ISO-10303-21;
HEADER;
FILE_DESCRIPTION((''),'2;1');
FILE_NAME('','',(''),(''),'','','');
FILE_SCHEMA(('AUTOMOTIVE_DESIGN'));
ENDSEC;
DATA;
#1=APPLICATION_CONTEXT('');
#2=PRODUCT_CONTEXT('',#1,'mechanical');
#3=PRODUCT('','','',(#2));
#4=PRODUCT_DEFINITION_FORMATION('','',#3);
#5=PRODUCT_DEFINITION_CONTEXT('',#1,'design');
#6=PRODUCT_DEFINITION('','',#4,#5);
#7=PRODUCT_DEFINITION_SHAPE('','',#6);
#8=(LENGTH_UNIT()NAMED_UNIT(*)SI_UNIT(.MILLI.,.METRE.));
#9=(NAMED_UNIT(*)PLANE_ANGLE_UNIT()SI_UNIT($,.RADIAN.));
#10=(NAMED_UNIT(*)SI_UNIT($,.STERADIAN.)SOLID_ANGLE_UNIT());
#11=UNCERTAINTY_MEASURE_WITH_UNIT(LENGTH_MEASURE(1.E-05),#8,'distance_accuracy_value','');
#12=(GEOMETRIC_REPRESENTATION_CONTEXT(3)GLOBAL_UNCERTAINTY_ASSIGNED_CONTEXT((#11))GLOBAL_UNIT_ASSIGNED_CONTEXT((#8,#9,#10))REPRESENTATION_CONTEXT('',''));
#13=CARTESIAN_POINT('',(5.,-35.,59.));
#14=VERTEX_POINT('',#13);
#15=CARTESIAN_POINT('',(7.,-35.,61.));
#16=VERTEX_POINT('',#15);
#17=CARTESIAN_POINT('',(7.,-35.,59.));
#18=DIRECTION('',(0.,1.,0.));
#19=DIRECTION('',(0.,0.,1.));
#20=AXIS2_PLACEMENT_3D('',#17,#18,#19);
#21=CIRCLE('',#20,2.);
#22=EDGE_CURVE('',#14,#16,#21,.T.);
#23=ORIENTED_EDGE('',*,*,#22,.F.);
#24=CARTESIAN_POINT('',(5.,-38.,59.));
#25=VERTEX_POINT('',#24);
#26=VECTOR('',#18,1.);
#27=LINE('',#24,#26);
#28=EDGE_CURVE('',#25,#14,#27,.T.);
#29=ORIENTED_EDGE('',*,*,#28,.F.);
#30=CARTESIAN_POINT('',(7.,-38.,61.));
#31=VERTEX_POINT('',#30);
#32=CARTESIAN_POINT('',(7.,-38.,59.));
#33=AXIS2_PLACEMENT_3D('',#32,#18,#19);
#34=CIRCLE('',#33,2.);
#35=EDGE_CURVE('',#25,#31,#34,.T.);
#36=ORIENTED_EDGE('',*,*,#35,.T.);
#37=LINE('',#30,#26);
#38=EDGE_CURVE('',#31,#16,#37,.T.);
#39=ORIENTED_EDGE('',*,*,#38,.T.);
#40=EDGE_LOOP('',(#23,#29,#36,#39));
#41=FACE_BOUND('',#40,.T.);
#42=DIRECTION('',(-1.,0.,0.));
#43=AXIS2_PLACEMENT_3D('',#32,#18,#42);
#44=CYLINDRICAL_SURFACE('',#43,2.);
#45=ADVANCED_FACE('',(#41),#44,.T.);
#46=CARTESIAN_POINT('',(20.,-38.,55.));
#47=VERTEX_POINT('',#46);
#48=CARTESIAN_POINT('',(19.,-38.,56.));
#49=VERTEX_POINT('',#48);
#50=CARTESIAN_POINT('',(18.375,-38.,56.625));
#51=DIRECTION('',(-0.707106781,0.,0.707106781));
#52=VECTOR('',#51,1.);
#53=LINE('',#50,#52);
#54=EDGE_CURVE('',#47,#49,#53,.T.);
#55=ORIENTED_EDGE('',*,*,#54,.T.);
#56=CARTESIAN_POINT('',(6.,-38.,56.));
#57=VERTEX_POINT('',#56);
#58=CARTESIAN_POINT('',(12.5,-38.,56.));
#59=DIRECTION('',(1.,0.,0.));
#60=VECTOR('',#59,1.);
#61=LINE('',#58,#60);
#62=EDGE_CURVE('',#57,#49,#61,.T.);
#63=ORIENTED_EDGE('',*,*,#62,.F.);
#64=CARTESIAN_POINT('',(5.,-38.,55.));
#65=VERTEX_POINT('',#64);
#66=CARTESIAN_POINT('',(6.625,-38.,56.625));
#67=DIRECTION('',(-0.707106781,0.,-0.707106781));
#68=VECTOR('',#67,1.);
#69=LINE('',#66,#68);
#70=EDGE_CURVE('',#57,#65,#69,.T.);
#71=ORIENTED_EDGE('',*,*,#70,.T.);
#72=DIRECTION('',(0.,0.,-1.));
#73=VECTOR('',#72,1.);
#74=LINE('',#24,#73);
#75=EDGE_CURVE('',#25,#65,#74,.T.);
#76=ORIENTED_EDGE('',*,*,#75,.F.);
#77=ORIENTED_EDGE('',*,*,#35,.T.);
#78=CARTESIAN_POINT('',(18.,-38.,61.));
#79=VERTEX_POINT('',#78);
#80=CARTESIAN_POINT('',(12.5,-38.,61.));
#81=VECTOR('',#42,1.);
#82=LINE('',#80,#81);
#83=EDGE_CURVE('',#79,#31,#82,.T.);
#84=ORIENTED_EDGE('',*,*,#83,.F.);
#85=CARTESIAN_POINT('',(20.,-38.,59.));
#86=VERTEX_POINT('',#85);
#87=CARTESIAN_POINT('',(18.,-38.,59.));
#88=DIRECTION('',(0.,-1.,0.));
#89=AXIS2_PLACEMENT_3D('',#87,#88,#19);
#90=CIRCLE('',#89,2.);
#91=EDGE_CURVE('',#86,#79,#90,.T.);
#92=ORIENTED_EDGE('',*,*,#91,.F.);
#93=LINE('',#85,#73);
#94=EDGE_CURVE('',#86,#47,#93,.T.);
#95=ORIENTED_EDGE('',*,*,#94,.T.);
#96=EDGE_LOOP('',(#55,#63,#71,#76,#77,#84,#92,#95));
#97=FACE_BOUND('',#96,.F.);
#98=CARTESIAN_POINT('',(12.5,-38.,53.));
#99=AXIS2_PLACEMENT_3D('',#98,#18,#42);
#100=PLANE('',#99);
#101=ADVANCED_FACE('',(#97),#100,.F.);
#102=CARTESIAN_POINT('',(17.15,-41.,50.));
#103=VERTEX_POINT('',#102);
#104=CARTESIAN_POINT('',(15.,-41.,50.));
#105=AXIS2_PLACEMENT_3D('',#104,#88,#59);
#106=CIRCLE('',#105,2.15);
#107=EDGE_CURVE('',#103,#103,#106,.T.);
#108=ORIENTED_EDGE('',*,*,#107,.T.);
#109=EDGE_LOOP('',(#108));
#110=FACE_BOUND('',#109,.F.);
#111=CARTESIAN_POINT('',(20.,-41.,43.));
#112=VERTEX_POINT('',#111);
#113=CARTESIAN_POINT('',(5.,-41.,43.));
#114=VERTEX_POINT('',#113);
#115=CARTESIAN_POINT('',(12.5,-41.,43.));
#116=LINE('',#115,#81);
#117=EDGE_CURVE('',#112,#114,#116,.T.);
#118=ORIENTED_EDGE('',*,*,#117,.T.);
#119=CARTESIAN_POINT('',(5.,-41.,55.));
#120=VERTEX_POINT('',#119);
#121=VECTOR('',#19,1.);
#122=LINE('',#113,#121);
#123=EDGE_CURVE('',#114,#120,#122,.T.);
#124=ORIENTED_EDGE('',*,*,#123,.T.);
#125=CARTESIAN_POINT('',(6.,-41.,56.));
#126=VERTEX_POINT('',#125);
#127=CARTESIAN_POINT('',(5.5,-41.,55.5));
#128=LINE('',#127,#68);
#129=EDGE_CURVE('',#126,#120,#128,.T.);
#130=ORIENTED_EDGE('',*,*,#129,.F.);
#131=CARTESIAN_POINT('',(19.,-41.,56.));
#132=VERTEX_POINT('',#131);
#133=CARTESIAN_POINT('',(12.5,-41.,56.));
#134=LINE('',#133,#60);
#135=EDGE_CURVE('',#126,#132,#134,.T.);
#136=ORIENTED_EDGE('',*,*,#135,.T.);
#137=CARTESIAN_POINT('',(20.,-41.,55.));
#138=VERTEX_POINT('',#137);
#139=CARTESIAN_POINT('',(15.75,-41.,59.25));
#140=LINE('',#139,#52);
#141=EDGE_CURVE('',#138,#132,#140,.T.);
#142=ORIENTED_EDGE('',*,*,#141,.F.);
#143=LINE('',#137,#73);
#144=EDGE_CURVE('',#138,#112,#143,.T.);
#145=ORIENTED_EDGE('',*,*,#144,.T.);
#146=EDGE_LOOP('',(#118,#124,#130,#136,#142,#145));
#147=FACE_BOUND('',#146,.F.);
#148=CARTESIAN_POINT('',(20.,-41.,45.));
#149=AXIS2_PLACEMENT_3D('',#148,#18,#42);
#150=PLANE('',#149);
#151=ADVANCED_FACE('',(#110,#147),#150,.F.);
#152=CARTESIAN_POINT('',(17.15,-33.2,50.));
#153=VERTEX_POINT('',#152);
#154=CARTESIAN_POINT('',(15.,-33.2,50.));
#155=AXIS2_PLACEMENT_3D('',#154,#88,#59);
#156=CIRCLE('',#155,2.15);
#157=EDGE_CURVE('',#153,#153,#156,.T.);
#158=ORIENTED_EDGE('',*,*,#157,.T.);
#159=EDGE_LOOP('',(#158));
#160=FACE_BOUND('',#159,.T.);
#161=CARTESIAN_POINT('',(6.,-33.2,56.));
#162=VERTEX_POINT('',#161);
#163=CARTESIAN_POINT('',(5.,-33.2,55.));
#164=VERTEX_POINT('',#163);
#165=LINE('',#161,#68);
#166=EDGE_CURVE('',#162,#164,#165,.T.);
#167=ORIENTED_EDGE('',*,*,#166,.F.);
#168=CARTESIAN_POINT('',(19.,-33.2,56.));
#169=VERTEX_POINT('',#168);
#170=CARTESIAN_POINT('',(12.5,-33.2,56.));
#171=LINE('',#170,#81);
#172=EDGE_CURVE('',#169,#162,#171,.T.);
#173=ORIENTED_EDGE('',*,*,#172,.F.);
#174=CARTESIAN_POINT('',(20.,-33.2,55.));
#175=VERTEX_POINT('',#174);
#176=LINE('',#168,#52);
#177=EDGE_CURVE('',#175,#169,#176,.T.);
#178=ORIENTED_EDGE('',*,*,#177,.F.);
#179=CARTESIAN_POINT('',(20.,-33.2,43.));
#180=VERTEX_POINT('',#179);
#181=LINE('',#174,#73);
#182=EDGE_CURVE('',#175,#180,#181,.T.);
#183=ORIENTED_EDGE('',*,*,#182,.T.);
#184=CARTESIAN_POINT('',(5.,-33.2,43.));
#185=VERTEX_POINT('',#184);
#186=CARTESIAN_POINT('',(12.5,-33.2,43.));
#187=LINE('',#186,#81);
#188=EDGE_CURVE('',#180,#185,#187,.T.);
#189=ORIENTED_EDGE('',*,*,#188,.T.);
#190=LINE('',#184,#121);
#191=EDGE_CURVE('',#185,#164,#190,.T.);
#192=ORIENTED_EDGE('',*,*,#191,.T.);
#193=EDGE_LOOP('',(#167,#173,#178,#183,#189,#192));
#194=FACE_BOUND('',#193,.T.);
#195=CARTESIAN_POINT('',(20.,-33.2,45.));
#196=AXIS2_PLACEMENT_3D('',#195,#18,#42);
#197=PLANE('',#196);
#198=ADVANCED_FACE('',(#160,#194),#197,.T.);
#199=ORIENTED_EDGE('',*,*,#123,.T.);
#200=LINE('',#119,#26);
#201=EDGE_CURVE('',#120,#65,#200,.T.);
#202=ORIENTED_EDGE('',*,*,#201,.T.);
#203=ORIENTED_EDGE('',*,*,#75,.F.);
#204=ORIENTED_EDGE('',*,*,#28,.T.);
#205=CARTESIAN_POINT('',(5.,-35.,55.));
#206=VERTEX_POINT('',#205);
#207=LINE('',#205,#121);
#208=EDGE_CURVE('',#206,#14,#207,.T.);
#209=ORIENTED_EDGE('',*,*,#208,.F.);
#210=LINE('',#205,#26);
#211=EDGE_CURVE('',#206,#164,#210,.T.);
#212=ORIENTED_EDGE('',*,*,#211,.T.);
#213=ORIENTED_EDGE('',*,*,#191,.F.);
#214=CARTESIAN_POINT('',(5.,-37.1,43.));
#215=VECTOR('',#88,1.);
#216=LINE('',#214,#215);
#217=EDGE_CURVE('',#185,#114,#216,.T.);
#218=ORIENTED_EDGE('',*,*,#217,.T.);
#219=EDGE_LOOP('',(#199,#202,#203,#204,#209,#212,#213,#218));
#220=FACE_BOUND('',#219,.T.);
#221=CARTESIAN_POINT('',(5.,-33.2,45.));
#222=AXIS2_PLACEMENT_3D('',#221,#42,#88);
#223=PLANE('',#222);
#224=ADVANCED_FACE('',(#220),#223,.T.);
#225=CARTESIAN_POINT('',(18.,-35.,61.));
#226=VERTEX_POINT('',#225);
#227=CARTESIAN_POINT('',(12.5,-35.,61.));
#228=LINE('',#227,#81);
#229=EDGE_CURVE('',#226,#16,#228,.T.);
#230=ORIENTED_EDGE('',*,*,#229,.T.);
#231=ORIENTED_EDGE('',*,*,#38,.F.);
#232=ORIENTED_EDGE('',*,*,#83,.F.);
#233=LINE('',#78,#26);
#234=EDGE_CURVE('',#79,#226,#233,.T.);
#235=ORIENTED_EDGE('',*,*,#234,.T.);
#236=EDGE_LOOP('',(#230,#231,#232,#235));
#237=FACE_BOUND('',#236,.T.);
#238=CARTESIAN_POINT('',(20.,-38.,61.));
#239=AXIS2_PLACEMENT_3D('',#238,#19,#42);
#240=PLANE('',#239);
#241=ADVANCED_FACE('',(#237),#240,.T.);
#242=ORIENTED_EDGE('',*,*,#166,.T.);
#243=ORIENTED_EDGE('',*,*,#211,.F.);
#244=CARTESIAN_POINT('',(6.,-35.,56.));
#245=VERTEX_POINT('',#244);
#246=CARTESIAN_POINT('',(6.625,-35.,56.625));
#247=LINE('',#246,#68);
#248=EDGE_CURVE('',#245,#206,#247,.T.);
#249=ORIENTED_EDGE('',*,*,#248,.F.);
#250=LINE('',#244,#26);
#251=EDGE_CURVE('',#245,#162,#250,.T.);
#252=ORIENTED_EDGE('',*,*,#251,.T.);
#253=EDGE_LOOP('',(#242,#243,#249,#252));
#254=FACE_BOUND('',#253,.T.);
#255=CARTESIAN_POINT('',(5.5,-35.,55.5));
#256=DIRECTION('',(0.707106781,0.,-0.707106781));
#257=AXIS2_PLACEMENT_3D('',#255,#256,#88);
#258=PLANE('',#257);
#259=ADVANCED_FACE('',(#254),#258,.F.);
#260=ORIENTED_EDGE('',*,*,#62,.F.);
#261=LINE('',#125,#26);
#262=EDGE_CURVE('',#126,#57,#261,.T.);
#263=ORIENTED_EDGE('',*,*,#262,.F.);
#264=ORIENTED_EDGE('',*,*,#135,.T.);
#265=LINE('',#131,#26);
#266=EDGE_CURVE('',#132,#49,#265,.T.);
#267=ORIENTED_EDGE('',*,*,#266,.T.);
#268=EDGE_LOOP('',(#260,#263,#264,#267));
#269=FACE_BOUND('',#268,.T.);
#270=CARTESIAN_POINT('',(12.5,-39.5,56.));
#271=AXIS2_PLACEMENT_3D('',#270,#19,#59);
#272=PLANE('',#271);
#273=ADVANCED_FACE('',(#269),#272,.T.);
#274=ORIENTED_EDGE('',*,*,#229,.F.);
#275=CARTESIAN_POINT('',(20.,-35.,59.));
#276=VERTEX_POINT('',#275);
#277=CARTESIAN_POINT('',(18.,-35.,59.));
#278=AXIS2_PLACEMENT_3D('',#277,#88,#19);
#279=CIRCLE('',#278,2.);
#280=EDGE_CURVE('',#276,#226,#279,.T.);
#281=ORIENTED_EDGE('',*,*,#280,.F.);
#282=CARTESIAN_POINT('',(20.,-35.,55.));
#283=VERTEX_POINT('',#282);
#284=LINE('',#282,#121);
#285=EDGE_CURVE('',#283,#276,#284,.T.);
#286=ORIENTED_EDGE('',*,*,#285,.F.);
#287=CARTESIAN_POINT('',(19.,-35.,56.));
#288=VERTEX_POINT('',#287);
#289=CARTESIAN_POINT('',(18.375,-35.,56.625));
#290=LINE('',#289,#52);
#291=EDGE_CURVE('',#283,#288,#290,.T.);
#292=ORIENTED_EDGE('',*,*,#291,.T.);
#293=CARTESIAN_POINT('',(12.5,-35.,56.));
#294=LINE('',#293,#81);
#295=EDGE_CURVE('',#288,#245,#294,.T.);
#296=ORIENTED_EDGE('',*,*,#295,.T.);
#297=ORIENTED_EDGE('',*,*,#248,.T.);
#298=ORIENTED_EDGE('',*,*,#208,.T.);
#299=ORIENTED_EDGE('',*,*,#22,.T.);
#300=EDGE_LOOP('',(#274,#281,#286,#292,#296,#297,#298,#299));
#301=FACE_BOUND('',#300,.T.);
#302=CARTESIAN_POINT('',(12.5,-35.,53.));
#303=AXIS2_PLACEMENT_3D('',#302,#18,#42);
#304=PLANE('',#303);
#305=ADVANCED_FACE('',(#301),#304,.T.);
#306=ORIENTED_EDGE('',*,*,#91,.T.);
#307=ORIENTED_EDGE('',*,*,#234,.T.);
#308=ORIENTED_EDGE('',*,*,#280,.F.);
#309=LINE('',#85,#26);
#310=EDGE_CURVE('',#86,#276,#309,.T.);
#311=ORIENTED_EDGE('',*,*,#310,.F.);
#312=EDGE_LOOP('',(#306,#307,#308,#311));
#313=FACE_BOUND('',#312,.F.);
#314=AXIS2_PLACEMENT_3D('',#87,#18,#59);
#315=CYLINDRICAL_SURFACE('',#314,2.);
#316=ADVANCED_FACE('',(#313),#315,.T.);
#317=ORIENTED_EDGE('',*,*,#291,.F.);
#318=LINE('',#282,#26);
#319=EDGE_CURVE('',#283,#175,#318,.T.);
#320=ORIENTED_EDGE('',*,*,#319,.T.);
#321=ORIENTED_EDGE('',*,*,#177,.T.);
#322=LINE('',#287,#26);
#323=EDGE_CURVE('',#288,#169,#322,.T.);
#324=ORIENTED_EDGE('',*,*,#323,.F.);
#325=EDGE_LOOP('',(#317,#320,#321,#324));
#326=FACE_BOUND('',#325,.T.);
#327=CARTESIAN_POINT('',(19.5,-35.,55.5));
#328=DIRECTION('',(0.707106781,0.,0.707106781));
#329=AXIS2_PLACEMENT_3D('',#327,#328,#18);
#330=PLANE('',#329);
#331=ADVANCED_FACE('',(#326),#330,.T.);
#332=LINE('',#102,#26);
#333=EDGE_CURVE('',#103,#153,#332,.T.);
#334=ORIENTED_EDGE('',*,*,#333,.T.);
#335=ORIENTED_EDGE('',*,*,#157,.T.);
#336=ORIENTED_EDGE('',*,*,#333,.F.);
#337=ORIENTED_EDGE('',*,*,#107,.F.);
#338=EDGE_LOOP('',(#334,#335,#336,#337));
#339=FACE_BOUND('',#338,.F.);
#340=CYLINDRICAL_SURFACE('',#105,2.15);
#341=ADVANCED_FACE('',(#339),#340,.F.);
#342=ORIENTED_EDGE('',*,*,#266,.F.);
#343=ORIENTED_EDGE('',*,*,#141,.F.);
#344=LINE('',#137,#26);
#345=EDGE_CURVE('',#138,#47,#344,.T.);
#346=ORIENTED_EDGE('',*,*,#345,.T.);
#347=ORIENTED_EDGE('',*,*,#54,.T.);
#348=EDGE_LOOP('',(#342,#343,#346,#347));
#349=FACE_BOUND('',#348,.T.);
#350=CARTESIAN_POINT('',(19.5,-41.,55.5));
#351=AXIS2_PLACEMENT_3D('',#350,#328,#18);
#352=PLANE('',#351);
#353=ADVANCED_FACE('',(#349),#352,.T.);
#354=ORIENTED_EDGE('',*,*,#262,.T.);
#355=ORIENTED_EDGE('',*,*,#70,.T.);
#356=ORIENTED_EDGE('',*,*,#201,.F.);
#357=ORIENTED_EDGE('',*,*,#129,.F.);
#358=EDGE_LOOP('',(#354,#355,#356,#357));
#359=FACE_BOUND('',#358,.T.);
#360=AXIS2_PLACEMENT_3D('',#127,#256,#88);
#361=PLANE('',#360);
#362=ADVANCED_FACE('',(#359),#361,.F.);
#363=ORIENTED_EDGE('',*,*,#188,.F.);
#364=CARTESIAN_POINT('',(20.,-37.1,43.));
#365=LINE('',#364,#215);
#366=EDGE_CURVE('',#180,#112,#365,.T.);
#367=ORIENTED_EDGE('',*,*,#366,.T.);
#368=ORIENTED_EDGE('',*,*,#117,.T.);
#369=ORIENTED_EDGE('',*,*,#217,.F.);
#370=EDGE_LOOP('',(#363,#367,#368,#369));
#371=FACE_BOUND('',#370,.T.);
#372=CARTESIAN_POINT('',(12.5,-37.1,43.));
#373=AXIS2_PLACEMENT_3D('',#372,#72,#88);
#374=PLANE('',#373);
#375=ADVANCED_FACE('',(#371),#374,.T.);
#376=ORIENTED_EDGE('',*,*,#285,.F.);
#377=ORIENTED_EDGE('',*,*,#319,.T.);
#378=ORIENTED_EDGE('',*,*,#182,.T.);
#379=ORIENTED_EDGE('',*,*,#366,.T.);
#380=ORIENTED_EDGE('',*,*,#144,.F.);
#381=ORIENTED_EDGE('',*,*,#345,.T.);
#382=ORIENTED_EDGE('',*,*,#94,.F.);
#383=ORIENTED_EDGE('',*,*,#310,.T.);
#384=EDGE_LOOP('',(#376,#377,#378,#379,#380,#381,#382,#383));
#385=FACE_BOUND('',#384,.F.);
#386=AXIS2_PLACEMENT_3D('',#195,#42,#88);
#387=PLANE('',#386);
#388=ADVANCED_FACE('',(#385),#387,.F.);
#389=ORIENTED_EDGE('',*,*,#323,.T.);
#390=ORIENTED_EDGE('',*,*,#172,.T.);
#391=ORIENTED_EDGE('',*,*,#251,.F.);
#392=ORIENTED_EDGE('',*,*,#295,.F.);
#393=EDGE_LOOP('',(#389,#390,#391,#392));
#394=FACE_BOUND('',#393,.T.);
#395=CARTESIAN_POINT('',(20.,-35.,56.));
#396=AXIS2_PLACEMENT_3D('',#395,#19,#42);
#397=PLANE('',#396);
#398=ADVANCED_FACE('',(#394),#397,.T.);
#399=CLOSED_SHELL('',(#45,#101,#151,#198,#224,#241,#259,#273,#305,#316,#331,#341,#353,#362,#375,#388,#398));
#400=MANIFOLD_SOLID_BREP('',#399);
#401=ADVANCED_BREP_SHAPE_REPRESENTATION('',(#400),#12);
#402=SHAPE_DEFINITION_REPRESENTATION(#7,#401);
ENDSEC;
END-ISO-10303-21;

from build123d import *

# Parameters (mm, degrees)
SKETCH167_W         = 15
SKETCH167_H         = 3
PAD068_DEPTH        = 11
SKETCH168_W         = 15
SKETCH168_H         = 16
PAD069_DEPTH        = 3
FILLET078_R         = 2
SKETCH189_W         = 15
SKETCH189_H         = 11
PAD080_DEPTH        = 1.8
SKETCH169_R         = 2.15
POCKET089_DEPTH     = 7.801
CHAMFER024_SIZE     = 1
CHAMFER024_FACE13_W = 7.8
CHAMFER024_FACE13_H = 15
PAD081_DEPTH        = 2


with BuildPart() as part:
    # Sketch167 → Pad068 (new body)
    with BuildSketch(Plane.XY):
        with Locations((7.5, -1.5)):
            Rectangle(SKETCH167_W, SKETCH167_H)
    extrude(amount=-PAD068_DEPTH)

    # Sketch168 (on Face1 of Pad068) → Pad069 (join)
    with BuildSketch(Plane(origin=(0, 0, 0), x_dir=(-1, 0, 0), z_dir=(0, 1, 0))):
        with Locations((-7.5, -3)):
            Rectangle(SKETCH168_W, SKETCH168_H)
    extrude(amount=PAD069_DEPTH)

    # Fillet078
    fillet078_edges = [part.edges().sort_by_distance(p)[0] for p in [
        (0, 1.5, 5),
        (15, 1.5, 5),
    ]]
    fillet(fillet078_edges, radius=FILLET078_R)

    # Sketch189 (on Face8 of Fillet078) → Pad080 (join)
    with BuildSketch(Plane(origin=(0, 3, 0), x_dir=(-1, 0, 0), z_dir=(0, 1, 0))):
        with Locations((-7.5, -5.5)):
            Rectangle(SKETCH189_W, SKETCH189_H)
    extrude(amount=PAD080_DEPTH)

    # Sketch169 → Pocket089 (cut, through all)
    with BuildSketch(Plane.XZ.offset(3)):
        with Locations((10, -6)):
            Circle(SKETCH169_R)
    extrude(amount=-POCKET089_DEPTH, mode=Mode.SUBTRACT)

    # Chamfer024
    chamfer024_edges = [part.edges().sort_by_distance(p)[0] for p in [
        (15, -1.5, 0),
        (15, 3.9, 0),
        (0, 3.9, 0),
        (0, -1.5, 0),
    ]]
    chamfer(chamfer024_edges, length=CHAMFER024_SIZE)

    # Chamfer024 Face13 → Pad081 (add)
    with BuildSketch(Plane(origin=(7.5, 0.9, -11), x_dir=(0, -1, 0), z_dir=(0, 0, -1))):
        Rectangle(CHAMFER024_FACE13_W, CHAMFER024_FACE13_H)
    extrude(amount=PAD081_DEPTH)


with BuildPart() as part_1:
    # Body044 placement: moved
    add(part.part.moved(Location((5, -38, 56))))


solid = part_1.part
